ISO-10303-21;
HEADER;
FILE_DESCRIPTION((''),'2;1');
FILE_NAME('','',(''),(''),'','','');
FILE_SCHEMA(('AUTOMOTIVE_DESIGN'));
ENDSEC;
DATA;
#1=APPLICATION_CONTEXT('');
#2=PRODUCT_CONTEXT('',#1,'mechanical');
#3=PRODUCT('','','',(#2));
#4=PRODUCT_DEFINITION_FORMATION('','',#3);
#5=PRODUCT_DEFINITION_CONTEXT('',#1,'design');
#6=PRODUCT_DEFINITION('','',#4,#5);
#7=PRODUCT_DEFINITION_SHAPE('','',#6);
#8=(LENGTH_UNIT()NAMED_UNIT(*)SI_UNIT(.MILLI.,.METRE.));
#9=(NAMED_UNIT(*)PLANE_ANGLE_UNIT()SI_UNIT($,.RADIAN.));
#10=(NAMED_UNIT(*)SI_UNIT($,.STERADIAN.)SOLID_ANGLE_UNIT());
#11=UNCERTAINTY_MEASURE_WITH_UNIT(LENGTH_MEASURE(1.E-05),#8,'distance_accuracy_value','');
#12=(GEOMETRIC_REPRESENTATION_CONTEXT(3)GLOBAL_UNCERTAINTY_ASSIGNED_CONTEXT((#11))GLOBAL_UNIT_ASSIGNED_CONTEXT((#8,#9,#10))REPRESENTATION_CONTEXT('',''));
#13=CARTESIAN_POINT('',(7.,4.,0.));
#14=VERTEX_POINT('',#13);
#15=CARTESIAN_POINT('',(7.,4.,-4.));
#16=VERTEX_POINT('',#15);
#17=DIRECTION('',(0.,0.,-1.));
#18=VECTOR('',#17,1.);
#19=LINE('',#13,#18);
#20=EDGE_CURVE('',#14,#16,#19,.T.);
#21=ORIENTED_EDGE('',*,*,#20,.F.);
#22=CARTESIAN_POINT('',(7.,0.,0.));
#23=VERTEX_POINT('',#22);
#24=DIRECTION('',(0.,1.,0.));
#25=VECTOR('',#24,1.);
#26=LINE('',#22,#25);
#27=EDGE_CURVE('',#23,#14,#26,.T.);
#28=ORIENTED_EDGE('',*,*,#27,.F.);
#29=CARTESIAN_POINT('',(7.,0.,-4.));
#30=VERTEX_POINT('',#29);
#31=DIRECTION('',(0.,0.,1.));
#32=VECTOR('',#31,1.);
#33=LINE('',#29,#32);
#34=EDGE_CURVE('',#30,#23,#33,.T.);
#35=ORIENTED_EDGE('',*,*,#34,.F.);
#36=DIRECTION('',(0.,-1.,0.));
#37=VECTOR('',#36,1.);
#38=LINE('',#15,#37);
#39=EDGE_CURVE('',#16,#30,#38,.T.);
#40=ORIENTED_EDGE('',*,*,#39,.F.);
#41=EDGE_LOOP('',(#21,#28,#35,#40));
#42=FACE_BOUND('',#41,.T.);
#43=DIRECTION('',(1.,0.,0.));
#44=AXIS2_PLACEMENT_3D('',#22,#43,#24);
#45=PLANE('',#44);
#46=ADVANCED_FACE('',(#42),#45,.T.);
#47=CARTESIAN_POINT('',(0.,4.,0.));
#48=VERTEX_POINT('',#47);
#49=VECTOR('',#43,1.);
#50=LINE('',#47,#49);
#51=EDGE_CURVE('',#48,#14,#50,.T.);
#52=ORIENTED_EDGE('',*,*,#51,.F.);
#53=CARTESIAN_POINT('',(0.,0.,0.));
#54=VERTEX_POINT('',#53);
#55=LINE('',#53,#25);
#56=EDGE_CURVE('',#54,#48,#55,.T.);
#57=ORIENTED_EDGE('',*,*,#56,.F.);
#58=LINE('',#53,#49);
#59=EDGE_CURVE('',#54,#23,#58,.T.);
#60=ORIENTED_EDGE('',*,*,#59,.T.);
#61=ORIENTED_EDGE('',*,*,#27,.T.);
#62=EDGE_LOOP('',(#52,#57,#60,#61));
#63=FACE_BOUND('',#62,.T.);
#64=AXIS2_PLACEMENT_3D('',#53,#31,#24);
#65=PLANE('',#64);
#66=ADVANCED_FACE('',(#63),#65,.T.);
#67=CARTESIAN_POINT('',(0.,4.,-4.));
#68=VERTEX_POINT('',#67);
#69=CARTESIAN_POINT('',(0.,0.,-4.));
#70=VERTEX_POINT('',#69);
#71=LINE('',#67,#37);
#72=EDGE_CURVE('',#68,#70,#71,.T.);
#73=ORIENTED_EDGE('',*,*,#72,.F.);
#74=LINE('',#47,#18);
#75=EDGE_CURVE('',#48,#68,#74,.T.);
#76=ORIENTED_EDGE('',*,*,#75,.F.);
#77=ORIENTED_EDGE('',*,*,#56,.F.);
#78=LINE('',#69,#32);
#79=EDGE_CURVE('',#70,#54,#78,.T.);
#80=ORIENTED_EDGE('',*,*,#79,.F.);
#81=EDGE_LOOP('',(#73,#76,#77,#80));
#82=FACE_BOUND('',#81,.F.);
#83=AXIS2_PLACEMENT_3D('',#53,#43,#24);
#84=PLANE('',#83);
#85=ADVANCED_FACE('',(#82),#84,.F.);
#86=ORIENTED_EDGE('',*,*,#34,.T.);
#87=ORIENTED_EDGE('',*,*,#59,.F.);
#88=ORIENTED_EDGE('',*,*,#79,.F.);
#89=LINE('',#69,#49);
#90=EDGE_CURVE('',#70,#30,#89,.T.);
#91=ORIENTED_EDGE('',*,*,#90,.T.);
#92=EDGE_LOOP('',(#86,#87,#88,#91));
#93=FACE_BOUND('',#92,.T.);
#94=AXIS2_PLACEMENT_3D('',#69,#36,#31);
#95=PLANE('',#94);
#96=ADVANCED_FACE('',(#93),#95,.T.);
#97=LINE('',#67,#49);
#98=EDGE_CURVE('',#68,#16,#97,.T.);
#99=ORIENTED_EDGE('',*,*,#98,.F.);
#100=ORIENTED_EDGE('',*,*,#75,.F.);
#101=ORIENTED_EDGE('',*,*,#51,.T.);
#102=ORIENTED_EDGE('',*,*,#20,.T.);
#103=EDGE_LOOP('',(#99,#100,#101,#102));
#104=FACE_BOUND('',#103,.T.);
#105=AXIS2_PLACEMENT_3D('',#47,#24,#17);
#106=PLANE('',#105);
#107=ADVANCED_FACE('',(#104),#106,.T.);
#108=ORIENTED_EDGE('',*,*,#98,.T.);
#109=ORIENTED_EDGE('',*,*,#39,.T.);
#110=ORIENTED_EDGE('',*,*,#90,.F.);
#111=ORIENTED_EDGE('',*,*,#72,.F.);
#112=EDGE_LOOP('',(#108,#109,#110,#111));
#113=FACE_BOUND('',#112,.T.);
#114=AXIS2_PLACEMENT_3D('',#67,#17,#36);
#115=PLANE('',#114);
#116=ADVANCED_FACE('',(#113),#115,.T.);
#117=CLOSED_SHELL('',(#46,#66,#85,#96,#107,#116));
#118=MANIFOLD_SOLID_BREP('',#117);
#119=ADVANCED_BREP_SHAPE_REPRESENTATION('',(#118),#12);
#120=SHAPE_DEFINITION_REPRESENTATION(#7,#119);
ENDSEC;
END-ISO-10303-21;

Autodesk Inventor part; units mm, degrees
ref_plane "YZ Plane" through (0, 0, 0) normal (1, 0, 0) x (0, 1, 0)
ref_plane "XZ Plane" through (0, 0, 0) normal (0, 1, 0) x (-1, 0, 0)
ref_plane "XY Plane" through (0, 0, 0) normal (0, 0, 1) x (1, 0, 0)
sketch "Sketch1" plane through (0, 0, 0) normal (1, 0, 0) x (0, 1, 0)
  line L0 (0, 0) -> (4, 0)
  line L1 (4, 0) -> (4, -4)
  line L2 (4, -4) -> (0, -4)
  line L3 (0, -4) -> (0, 0)
  dimension "d0" = 4
  dimension "d1" = 4
extrude "Extrusion1" add sketch "Sketch1" along normal blind 7
properties part number "P202" material "Steel, Carbon"
